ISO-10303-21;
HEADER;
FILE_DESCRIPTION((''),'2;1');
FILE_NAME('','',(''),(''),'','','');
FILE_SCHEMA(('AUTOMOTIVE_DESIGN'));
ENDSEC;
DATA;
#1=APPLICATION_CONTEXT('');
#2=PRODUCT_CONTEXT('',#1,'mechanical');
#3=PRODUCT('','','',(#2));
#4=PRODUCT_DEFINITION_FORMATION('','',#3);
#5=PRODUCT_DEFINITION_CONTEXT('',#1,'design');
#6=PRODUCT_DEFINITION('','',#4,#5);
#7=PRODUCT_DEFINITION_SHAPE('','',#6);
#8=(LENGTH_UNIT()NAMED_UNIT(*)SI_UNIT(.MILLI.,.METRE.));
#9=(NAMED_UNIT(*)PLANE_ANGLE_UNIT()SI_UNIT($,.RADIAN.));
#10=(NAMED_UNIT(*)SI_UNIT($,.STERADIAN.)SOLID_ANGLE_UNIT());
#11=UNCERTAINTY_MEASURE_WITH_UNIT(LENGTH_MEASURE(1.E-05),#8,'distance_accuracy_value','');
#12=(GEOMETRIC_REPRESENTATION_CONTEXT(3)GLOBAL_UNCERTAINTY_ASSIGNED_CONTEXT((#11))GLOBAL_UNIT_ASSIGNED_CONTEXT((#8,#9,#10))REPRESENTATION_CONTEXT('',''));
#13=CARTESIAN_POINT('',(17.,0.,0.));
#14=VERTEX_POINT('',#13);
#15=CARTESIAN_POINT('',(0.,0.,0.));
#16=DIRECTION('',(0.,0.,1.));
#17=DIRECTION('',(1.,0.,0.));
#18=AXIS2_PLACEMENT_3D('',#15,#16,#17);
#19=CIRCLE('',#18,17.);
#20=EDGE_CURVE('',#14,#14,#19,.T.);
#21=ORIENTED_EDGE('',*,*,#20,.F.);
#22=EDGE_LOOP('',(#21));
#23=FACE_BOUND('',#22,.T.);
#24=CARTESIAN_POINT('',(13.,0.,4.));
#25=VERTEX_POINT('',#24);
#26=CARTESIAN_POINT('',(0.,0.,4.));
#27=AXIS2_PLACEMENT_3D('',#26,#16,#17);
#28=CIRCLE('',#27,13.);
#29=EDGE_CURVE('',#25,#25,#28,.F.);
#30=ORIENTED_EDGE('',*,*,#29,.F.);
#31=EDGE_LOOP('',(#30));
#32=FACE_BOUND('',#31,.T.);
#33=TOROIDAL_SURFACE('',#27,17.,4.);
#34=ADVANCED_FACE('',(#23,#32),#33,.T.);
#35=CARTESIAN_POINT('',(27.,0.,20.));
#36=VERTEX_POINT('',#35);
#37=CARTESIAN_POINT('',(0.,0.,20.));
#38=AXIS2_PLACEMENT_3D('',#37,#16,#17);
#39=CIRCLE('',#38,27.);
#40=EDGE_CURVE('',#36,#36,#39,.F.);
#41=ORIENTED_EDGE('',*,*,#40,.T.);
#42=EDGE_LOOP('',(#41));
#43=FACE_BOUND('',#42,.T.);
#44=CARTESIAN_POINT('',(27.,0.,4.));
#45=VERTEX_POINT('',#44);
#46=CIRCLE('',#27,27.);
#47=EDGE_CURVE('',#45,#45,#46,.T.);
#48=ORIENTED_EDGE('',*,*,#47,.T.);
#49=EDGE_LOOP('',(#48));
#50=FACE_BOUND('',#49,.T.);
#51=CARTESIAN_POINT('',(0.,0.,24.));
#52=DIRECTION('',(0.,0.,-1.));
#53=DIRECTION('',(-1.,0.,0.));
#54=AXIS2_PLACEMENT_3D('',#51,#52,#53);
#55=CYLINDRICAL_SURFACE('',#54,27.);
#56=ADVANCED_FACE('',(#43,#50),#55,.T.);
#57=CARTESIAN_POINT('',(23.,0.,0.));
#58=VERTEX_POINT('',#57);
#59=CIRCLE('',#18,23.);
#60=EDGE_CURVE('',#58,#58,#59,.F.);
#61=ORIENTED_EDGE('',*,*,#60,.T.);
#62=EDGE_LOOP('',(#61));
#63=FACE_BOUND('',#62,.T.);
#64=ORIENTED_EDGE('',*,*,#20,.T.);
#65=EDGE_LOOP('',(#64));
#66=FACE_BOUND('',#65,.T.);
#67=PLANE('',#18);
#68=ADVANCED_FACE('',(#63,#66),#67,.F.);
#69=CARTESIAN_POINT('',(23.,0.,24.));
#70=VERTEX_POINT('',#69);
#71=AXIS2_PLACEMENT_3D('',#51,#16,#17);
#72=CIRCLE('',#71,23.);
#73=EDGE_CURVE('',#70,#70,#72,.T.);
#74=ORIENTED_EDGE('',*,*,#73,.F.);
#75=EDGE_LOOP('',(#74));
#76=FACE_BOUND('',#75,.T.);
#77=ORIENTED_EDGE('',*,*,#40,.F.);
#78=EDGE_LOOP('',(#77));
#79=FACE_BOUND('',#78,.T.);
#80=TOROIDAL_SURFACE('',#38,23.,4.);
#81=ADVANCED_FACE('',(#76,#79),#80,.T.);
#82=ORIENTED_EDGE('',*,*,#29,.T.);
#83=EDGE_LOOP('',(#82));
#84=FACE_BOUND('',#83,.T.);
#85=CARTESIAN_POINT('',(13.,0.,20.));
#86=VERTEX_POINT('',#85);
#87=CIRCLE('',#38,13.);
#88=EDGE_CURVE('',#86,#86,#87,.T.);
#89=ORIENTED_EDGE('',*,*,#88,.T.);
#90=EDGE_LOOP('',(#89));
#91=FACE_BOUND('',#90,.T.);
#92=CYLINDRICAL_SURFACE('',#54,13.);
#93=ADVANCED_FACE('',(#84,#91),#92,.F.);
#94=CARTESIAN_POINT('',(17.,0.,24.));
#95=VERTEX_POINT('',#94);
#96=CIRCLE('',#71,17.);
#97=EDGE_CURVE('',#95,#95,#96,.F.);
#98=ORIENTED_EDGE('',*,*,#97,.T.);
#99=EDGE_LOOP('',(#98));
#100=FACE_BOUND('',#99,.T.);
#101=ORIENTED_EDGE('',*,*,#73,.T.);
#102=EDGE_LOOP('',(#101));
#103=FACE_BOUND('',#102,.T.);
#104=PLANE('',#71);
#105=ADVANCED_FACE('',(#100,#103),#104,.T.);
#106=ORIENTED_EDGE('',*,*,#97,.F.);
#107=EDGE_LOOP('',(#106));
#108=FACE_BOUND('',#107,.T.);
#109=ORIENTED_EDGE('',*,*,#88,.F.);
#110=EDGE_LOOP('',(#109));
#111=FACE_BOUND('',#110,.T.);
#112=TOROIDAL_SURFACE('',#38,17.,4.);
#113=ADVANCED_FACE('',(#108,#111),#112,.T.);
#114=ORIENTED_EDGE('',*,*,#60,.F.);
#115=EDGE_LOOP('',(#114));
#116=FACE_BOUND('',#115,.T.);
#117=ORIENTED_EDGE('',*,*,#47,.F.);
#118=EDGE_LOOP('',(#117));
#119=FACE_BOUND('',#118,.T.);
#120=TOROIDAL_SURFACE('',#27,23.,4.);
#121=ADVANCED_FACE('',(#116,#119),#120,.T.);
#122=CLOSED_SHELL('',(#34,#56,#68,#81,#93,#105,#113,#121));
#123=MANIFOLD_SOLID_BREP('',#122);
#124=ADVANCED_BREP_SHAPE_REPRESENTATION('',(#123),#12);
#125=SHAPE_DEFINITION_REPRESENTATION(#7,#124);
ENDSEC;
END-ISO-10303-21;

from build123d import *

# Parameters (mm, degrees)
SKETCH_1_R      = 27
SKETCH_1_R_2    = 13
EXTRUDE_1_DEPTH = 24
FILLET_1_R      = 4


with BuildPart() as part:
    # Эскиз1 → Вытянуть1 (new body)
    with BuildSketch(Plane.XY):
        Circle(SKETCH_1_R)
        Circle(SKETCH_1_R_2, mode=Mode.SUBTRACT)
    extrude(amount=EXTRUDE_1_DEPTH)

    # Скругление1
    fillet_1_edges = [part.edges().sort_by_distance(p)[0] for p in [
        (-27, 0, 0),
        (-27, 0, 24),
        (-13, 0, 0),
        (-13, 0, 24),
    ]]
    fillet(fillet_1_edges, radius=FILLET_1_R)


solid = part.part
